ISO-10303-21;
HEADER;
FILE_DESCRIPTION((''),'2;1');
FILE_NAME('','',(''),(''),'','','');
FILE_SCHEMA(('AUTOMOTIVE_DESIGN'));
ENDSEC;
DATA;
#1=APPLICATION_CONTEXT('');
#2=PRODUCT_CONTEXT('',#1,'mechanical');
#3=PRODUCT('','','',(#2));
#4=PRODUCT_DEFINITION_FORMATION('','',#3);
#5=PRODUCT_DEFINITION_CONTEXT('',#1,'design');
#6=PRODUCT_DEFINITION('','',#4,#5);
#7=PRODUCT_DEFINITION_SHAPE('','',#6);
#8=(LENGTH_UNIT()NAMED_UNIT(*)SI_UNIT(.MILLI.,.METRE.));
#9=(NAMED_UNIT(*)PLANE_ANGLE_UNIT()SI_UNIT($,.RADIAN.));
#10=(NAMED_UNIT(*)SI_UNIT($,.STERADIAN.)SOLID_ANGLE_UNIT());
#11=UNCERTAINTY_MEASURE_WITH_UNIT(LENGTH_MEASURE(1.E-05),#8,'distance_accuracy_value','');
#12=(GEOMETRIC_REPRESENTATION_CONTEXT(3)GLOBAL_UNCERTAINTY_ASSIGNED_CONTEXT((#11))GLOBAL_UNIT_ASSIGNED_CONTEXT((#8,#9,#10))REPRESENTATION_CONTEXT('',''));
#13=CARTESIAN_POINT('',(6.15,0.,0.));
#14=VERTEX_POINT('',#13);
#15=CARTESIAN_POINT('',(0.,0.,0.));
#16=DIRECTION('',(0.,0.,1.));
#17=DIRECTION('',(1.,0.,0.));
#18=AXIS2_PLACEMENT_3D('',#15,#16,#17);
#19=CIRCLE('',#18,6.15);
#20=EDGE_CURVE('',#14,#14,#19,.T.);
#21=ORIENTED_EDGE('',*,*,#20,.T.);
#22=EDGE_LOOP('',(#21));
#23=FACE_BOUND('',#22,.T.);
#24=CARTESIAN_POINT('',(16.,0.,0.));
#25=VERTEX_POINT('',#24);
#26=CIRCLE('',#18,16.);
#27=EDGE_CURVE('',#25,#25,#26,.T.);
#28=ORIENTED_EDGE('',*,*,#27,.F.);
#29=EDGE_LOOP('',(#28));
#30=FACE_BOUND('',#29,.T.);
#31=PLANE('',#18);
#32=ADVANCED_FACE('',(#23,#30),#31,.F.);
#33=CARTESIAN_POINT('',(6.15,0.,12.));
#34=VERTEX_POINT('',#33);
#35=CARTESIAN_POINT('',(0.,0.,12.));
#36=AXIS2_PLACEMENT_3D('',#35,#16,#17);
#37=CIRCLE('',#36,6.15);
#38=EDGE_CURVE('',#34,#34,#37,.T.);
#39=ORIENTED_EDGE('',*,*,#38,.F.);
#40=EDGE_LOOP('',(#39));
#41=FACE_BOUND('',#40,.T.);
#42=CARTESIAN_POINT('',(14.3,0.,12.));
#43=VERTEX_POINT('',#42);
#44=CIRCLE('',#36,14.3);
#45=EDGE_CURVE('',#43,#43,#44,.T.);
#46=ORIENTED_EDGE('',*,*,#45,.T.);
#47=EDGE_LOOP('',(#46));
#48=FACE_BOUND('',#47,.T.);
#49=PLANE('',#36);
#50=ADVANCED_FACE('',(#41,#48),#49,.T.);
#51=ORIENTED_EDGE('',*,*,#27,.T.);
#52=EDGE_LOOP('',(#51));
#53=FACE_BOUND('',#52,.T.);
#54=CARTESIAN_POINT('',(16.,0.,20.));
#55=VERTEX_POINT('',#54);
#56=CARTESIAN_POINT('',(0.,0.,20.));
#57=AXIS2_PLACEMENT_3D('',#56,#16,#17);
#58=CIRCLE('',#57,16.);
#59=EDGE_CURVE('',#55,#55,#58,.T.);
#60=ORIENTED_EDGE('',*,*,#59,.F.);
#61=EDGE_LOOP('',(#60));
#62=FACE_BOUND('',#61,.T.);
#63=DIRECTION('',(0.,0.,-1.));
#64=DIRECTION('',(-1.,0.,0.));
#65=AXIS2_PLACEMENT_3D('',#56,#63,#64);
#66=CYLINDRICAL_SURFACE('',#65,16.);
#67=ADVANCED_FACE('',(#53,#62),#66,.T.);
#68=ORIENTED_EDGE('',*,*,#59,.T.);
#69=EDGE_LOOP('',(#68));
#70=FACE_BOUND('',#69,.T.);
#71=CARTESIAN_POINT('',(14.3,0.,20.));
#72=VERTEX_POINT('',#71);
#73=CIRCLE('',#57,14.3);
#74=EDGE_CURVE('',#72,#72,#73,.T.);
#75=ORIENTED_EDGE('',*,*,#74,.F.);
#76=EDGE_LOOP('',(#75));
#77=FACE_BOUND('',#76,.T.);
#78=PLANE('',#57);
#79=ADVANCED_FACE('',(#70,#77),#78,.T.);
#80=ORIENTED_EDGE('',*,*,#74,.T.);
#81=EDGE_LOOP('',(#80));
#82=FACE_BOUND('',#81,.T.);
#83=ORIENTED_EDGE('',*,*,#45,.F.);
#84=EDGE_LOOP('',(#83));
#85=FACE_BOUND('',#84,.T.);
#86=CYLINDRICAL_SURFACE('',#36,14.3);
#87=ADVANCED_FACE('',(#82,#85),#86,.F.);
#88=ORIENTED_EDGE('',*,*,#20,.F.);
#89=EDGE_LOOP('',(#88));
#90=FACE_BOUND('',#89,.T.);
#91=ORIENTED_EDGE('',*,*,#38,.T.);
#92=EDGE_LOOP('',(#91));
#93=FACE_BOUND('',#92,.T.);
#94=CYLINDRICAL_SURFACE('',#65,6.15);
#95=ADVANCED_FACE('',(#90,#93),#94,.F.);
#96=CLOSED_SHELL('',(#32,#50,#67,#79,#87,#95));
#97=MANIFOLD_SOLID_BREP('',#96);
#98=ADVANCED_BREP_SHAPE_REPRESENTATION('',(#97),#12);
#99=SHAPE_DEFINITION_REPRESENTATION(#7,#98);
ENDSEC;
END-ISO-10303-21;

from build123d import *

# Parameters (mm, degrees)
SKETCH1_R           = 16
SKETCH1_R_2         = 6.15
BOSS_EXTRUDE1_DEPTH = 20
SKETCH2_R           = 14.3
CUT_EXTRUDE1_DEPTH  = 8


with BuildPart() as part:
    # Sketch1 → Boss-Extrude1 (new body)
    with BuildSketch(Plane.XY):
        Circle(SKETCH1_R)
        Circle(SKETCH1_R_2, mode=Mode.SUBTRACT)
    extrude(amount=BOSS_EXTRUDE1_DEPTH)

    # Sketch2 → Cut-Extrude1 (cut)
    with BuildSketch(Plane.XY.offset(20)):
        Circle(SKETCH2_R)
    extrude(amount=-CUT_EXTRUDE1_DEPTH, mode=Mode.SUBTRACT)


solid = part.part
